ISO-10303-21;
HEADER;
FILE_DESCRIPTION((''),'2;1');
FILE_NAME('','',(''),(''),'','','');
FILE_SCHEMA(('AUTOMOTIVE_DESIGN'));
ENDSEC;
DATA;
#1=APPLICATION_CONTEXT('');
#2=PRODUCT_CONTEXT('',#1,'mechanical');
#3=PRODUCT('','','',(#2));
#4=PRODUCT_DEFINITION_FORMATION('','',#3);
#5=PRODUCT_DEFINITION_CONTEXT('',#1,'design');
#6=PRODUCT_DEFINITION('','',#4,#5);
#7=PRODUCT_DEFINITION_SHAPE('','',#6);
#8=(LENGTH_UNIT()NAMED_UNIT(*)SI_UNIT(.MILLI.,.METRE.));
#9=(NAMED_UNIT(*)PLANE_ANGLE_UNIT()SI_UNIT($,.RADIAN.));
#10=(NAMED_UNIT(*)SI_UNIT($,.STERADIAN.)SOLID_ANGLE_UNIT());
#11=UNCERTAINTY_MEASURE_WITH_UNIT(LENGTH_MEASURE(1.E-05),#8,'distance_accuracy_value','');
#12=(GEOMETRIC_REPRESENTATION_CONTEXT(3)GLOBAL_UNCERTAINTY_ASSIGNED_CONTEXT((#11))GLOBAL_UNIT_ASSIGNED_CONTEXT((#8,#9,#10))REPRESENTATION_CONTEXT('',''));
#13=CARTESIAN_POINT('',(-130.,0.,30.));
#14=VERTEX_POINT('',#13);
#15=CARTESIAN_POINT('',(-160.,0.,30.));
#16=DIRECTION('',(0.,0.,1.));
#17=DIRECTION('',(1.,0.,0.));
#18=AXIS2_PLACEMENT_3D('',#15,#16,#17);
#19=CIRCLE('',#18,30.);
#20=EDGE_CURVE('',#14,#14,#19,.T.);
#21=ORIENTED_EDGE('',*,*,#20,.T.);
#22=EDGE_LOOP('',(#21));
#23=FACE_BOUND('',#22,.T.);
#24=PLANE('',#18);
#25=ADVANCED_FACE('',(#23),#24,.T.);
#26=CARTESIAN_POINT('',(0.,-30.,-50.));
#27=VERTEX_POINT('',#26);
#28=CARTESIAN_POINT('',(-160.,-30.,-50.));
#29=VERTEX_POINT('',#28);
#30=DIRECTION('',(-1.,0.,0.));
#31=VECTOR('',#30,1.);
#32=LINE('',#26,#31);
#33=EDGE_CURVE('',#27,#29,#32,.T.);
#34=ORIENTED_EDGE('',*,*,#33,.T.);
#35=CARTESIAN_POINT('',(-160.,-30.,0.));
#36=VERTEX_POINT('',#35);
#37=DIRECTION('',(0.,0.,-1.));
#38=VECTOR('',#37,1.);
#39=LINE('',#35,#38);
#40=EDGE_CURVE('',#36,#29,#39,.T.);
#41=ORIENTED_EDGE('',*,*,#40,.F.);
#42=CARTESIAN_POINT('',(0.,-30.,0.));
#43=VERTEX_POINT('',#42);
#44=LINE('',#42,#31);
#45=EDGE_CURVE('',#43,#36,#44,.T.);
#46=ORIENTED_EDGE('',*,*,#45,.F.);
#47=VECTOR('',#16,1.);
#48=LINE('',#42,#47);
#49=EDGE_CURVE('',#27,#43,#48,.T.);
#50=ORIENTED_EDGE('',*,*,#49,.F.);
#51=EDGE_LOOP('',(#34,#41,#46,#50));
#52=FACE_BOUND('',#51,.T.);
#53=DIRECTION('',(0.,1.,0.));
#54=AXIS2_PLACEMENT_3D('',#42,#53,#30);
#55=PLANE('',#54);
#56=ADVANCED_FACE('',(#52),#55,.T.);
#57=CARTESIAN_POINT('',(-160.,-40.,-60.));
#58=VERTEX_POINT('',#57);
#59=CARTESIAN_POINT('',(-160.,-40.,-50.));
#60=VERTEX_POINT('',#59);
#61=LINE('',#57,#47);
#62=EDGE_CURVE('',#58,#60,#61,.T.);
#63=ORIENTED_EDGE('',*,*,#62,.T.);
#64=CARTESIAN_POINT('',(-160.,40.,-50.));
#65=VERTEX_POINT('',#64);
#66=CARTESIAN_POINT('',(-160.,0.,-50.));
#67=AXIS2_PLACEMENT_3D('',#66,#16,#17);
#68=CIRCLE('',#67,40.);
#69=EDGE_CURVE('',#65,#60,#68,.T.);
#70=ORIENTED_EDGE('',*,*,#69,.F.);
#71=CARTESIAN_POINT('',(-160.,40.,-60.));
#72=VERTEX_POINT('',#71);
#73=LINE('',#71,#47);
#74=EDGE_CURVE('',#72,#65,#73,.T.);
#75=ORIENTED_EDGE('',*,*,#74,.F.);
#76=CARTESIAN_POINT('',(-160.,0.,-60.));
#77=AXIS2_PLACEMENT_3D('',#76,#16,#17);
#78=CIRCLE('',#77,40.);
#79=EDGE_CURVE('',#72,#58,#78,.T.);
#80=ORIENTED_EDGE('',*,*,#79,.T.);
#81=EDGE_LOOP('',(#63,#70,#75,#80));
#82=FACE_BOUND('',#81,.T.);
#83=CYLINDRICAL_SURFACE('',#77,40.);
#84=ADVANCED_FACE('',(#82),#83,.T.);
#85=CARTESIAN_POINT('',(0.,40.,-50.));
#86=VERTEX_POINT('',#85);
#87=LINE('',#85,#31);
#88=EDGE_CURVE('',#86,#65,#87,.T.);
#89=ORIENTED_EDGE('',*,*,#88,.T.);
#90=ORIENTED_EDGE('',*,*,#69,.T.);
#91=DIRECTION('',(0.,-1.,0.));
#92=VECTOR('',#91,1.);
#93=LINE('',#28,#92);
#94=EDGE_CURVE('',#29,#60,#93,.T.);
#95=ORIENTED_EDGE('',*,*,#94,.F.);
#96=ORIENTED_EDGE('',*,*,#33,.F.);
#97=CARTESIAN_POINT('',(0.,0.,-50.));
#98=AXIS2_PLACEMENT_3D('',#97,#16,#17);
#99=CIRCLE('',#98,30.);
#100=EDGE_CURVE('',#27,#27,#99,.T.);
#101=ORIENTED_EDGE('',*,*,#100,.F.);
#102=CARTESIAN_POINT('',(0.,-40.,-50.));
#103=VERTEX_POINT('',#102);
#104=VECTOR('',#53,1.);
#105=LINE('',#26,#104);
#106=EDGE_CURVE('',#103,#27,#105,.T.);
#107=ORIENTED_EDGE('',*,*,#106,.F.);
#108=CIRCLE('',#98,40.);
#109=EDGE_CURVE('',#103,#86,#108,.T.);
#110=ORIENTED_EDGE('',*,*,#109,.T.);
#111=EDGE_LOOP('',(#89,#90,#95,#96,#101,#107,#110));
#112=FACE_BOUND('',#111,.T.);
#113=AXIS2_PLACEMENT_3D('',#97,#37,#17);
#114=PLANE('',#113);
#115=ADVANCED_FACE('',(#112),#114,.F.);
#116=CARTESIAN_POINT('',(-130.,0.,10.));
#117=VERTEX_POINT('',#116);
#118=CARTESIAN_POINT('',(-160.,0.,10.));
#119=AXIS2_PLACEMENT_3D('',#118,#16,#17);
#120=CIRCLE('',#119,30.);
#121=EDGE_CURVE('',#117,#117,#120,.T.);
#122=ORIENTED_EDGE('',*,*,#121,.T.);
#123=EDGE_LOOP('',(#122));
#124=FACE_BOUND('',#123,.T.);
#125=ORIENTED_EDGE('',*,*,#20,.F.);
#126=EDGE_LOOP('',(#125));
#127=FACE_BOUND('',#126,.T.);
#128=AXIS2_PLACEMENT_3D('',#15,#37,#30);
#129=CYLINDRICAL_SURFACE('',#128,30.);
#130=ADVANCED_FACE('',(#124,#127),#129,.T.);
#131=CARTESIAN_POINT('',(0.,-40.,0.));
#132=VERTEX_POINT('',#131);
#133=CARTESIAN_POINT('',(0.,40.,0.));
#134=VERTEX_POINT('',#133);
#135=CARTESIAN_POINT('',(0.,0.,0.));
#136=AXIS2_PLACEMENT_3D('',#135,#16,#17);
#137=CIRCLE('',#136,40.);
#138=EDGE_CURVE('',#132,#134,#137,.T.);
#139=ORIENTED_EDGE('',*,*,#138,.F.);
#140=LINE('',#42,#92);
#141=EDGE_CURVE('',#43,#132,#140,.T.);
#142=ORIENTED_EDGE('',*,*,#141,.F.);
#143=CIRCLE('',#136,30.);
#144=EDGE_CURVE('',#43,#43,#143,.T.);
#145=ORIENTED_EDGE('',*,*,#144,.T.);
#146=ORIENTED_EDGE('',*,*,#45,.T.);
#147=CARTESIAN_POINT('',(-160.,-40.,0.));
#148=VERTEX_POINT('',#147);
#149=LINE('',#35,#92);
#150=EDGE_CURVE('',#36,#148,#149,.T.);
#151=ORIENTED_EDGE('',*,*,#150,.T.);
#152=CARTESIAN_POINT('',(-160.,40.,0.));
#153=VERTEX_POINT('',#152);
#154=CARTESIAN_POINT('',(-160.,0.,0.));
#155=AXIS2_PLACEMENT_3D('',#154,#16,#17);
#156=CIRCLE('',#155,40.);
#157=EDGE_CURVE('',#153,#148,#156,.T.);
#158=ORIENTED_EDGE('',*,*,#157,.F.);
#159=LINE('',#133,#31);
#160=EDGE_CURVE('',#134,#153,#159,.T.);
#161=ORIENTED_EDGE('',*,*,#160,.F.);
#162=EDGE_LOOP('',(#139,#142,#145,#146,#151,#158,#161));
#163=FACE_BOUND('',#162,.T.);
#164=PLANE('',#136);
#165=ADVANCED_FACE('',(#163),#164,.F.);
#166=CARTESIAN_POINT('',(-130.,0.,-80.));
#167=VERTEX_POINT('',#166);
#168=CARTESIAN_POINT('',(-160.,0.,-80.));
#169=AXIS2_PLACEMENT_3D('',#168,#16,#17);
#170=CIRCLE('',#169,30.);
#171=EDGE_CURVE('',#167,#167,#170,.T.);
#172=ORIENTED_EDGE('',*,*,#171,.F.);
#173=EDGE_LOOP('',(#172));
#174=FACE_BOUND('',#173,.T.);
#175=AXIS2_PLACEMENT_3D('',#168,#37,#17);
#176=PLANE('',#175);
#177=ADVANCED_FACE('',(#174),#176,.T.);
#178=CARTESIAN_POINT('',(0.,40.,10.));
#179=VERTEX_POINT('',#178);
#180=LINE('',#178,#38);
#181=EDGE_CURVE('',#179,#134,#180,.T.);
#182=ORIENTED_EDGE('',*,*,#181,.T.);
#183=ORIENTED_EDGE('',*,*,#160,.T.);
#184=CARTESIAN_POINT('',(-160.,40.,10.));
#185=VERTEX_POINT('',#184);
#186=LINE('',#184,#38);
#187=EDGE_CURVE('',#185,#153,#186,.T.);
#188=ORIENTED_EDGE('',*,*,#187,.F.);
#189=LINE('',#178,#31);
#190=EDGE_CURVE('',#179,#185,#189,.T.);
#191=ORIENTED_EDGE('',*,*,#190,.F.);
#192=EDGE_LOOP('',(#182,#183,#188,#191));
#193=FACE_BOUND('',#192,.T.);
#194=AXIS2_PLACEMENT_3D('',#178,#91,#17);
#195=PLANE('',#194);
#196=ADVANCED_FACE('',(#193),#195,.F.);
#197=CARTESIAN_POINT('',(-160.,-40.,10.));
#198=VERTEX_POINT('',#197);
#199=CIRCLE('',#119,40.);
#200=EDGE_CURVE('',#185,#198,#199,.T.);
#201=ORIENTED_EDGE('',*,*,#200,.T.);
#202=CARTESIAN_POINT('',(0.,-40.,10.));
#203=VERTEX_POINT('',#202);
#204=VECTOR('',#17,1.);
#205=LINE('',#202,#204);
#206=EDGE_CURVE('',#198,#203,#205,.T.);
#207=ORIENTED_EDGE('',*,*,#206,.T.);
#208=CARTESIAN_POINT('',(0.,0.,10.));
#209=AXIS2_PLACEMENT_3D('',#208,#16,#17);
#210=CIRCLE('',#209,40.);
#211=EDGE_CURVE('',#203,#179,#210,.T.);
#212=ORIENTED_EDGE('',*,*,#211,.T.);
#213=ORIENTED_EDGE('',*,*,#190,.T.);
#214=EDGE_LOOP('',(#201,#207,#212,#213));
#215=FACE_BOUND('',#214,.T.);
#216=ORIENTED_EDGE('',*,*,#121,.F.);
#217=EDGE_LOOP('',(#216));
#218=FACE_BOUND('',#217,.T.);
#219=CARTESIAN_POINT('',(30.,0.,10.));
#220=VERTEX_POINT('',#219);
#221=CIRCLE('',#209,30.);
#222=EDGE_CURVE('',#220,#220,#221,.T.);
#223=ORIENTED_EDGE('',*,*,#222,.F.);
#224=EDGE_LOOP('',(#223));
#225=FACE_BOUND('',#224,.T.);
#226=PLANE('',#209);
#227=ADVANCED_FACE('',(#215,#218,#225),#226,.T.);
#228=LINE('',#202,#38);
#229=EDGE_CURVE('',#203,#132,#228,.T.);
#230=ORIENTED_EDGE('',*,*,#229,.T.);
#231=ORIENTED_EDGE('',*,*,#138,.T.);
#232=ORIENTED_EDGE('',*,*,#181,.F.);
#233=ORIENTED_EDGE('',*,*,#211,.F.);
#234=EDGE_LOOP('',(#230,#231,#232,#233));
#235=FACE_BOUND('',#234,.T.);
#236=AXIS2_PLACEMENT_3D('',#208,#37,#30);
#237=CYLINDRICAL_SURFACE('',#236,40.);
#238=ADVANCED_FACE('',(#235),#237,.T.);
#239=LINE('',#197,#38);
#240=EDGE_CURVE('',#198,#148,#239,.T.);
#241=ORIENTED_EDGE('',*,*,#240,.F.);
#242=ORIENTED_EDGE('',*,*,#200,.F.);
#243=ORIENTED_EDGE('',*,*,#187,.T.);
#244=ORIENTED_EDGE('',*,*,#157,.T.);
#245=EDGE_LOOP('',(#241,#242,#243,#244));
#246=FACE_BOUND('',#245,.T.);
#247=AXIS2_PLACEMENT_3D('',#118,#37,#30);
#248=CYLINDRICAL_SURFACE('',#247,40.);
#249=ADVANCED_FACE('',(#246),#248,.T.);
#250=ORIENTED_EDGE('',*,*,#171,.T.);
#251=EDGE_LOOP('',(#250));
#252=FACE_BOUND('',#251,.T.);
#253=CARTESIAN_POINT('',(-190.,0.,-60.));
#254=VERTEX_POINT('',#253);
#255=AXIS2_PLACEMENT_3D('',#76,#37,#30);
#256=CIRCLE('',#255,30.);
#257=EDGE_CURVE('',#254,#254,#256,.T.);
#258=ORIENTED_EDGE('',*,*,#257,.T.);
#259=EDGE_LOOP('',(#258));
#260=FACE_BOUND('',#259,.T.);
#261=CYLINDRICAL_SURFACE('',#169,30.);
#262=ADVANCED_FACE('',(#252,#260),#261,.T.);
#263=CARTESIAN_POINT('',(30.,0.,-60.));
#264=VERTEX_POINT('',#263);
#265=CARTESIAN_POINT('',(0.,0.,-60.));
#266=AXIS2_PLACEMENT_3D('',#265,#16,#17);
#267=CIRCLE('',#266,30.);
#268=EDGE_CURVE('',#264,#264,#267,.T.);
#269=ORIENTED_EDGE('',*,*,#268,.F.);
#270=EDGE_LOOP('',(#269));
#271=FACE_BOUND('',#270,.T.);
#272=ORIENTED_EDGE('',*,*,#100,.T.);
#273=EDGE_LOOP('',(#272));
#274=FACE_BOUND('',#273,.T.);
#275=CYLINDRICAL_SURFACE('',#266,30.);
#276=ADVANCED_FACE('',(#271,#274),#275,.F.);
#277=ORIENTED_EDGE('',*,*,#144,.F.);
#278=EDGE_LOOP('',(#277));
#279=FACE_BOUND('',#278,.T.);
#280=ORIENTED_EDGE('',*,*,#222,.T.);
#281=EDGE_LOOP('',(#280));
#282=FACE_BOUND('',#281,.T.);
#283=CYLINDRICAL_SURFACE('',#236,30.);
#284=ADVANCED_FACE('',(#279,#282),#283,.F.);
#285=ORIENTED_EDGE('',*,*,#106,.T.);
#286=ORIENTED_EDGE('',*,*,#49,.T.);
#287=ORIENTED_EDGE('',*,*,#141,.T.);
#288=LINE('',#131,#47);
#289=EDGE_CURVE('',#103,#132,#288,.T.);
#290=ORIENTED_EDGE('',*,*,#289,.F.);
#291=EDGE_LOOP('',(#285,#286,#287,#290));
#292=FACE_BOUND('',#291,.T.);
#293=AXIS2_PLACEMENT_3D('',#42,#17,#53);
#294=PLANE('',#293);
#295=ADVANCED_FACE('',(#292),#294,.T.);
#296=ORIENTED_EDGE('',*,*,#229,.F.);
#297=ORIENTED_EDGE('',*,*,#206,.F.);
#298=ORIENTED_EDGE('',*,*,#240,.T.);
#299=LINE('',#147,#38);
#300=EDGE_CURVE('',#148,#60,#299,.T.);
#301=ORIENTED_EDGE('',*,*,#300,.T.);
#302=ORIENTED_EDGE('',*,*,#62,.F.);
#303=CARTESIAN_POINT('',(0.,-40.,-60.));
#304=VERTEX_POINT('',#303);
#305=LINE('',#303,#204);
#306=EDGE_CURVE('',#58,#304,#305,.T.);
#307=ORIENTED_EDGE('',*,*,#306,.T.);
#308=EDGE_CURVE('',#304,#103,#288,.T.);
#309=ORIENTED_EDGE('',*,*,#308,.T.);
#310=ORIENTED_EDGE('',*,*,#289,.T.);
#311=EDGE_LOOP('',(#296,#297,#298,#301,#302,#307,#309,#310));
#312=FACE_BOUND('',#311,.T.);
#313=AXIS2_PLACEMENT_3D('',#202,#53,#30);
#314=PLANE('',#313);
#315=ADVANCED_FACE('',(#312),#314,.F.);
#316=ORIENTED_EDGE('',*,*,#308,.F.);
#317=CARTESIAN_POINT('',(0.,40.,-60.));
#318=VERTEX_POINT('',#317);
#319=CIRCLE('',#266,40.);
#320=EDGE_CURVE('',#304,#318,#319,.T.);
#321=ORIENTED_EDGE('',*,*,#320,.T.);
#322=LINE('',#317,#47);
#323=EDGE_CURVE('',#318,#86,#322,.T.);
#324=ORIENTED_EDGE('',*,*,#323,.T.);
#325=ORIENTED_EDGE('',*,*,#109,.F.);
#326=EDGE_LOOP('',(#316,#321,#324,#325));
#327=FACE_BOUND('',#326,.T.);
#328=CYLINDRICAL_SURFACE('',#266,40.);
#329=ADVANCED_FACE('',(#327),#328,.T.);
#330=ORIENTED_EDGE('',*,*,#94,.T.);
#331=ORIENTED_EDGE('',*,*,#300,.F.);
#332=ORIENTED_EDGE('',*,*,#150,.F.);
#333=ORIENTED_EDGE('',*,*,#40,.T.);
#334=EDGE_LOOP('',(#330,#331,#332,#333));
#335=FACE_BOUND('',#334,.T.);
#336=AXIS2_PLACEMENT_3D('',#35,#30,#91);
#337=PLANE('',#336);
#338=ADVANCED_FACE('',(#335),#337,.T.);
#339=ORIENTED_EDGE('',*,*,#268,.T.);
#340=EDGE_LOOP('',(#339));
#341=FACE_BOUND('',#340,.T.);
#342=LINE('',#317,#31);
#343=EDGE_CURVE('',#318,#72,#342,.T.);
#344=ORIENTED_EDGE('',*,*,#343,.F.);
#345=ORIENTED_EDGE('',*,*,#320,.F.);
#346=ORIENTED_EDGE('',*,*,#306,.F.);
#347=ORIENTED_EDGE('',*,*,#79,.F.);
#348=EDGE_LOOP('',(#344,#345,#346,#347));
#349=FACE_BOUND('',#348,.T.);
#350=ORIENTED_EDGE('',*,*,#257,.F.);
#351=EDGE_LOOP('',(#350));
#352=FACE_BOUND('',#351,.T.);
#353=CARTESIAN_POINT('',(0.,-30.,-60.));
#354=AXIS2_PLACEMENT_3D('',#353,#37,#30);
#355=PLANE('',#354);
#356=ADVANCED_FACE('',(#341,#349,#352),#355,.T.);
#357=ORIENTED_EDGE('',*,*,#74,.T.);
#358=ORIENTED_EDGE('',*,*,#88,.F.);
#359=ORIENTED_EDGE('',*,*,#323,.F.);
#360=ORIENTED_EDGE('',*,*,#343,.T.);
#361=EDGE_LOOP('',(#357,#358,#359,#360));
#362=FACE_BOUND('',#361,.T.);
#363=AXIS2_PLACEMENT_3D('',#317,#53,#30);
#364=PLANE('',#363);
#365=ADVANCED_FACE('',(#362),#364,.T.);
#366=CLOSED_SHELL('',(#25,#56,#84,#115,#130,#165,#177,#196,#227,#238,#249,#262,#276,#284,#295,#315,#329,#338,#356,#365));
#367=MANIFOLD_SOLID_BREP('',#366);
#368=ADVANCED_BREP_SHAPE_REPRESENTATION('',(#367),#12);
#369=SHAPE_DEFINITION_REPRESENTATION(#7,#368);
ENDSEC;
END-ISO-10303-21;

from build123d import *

# Parameters (mm, degrees)
SKETCH2_R           = 30
BOSS_EXTRUDE1_DEPTH = 10
SKETCH3_R           = 30
BOSS_EXTRUDE2_DEPTH = 20
SKETCH5_W           = 160
SKETCH5_H           = 60
BOSS_EXTRUDE3_DEPTH = 10


with BuildPart() as part:
    # Sketch2 → Boss-Extrude1 (new body)
    with BuildSketch(Plane.XY):
        with BuildLine():
            Line((0, -40), (-160, -40))
            ThreePointArc((-160, -40), (-200, 0), (-160, 40))
            Line((-160, 40), (0, 40))
            ThreePointArc((0, 40), (40, 0), (0, -40))
        make_face()
        Circle(SKETCH2_R, mode=Mode.SUBTRACT)
    boss_extrude1 = extrude(amount=BOSS_EXTRUDE1_DEPTH)

    # Sketch3 → Boss-Extrude2 (add)
    with BuildSketch(Plane.XY.offset(10)):
        with Locations((-160, 0)):
            Circle(SKETCH3_R)
    boss_extrude2 = extrude(amount=BOSS_EXTRUDE2_DEPTH)

    # Sketch5 → Boss-Extrude3 (add)
    with BuildSketch(Plane.XZ.offset(40)):
        with Locations((-80, -30)):
            Rectangle(SKETCH5_W, SKETCH5_H)
    extrude(amount=-BOSS_EXTRUDE3_DEPTH)

    # Mirror1: Boss-Extrude1, Boss-Extrude2 across plane
    add(boss_extrude1.mirror(Plane(origin=(0, 0, -25), x_dir=(1, 0, 0), z_dir=(0, 0, -1))))
    add(boss_extrude2.mirror(Plane(origin=(0, 0, -25), x_dir=(1, 0, 0), z_dir=(0, 0, -1))))


solid = part.part
